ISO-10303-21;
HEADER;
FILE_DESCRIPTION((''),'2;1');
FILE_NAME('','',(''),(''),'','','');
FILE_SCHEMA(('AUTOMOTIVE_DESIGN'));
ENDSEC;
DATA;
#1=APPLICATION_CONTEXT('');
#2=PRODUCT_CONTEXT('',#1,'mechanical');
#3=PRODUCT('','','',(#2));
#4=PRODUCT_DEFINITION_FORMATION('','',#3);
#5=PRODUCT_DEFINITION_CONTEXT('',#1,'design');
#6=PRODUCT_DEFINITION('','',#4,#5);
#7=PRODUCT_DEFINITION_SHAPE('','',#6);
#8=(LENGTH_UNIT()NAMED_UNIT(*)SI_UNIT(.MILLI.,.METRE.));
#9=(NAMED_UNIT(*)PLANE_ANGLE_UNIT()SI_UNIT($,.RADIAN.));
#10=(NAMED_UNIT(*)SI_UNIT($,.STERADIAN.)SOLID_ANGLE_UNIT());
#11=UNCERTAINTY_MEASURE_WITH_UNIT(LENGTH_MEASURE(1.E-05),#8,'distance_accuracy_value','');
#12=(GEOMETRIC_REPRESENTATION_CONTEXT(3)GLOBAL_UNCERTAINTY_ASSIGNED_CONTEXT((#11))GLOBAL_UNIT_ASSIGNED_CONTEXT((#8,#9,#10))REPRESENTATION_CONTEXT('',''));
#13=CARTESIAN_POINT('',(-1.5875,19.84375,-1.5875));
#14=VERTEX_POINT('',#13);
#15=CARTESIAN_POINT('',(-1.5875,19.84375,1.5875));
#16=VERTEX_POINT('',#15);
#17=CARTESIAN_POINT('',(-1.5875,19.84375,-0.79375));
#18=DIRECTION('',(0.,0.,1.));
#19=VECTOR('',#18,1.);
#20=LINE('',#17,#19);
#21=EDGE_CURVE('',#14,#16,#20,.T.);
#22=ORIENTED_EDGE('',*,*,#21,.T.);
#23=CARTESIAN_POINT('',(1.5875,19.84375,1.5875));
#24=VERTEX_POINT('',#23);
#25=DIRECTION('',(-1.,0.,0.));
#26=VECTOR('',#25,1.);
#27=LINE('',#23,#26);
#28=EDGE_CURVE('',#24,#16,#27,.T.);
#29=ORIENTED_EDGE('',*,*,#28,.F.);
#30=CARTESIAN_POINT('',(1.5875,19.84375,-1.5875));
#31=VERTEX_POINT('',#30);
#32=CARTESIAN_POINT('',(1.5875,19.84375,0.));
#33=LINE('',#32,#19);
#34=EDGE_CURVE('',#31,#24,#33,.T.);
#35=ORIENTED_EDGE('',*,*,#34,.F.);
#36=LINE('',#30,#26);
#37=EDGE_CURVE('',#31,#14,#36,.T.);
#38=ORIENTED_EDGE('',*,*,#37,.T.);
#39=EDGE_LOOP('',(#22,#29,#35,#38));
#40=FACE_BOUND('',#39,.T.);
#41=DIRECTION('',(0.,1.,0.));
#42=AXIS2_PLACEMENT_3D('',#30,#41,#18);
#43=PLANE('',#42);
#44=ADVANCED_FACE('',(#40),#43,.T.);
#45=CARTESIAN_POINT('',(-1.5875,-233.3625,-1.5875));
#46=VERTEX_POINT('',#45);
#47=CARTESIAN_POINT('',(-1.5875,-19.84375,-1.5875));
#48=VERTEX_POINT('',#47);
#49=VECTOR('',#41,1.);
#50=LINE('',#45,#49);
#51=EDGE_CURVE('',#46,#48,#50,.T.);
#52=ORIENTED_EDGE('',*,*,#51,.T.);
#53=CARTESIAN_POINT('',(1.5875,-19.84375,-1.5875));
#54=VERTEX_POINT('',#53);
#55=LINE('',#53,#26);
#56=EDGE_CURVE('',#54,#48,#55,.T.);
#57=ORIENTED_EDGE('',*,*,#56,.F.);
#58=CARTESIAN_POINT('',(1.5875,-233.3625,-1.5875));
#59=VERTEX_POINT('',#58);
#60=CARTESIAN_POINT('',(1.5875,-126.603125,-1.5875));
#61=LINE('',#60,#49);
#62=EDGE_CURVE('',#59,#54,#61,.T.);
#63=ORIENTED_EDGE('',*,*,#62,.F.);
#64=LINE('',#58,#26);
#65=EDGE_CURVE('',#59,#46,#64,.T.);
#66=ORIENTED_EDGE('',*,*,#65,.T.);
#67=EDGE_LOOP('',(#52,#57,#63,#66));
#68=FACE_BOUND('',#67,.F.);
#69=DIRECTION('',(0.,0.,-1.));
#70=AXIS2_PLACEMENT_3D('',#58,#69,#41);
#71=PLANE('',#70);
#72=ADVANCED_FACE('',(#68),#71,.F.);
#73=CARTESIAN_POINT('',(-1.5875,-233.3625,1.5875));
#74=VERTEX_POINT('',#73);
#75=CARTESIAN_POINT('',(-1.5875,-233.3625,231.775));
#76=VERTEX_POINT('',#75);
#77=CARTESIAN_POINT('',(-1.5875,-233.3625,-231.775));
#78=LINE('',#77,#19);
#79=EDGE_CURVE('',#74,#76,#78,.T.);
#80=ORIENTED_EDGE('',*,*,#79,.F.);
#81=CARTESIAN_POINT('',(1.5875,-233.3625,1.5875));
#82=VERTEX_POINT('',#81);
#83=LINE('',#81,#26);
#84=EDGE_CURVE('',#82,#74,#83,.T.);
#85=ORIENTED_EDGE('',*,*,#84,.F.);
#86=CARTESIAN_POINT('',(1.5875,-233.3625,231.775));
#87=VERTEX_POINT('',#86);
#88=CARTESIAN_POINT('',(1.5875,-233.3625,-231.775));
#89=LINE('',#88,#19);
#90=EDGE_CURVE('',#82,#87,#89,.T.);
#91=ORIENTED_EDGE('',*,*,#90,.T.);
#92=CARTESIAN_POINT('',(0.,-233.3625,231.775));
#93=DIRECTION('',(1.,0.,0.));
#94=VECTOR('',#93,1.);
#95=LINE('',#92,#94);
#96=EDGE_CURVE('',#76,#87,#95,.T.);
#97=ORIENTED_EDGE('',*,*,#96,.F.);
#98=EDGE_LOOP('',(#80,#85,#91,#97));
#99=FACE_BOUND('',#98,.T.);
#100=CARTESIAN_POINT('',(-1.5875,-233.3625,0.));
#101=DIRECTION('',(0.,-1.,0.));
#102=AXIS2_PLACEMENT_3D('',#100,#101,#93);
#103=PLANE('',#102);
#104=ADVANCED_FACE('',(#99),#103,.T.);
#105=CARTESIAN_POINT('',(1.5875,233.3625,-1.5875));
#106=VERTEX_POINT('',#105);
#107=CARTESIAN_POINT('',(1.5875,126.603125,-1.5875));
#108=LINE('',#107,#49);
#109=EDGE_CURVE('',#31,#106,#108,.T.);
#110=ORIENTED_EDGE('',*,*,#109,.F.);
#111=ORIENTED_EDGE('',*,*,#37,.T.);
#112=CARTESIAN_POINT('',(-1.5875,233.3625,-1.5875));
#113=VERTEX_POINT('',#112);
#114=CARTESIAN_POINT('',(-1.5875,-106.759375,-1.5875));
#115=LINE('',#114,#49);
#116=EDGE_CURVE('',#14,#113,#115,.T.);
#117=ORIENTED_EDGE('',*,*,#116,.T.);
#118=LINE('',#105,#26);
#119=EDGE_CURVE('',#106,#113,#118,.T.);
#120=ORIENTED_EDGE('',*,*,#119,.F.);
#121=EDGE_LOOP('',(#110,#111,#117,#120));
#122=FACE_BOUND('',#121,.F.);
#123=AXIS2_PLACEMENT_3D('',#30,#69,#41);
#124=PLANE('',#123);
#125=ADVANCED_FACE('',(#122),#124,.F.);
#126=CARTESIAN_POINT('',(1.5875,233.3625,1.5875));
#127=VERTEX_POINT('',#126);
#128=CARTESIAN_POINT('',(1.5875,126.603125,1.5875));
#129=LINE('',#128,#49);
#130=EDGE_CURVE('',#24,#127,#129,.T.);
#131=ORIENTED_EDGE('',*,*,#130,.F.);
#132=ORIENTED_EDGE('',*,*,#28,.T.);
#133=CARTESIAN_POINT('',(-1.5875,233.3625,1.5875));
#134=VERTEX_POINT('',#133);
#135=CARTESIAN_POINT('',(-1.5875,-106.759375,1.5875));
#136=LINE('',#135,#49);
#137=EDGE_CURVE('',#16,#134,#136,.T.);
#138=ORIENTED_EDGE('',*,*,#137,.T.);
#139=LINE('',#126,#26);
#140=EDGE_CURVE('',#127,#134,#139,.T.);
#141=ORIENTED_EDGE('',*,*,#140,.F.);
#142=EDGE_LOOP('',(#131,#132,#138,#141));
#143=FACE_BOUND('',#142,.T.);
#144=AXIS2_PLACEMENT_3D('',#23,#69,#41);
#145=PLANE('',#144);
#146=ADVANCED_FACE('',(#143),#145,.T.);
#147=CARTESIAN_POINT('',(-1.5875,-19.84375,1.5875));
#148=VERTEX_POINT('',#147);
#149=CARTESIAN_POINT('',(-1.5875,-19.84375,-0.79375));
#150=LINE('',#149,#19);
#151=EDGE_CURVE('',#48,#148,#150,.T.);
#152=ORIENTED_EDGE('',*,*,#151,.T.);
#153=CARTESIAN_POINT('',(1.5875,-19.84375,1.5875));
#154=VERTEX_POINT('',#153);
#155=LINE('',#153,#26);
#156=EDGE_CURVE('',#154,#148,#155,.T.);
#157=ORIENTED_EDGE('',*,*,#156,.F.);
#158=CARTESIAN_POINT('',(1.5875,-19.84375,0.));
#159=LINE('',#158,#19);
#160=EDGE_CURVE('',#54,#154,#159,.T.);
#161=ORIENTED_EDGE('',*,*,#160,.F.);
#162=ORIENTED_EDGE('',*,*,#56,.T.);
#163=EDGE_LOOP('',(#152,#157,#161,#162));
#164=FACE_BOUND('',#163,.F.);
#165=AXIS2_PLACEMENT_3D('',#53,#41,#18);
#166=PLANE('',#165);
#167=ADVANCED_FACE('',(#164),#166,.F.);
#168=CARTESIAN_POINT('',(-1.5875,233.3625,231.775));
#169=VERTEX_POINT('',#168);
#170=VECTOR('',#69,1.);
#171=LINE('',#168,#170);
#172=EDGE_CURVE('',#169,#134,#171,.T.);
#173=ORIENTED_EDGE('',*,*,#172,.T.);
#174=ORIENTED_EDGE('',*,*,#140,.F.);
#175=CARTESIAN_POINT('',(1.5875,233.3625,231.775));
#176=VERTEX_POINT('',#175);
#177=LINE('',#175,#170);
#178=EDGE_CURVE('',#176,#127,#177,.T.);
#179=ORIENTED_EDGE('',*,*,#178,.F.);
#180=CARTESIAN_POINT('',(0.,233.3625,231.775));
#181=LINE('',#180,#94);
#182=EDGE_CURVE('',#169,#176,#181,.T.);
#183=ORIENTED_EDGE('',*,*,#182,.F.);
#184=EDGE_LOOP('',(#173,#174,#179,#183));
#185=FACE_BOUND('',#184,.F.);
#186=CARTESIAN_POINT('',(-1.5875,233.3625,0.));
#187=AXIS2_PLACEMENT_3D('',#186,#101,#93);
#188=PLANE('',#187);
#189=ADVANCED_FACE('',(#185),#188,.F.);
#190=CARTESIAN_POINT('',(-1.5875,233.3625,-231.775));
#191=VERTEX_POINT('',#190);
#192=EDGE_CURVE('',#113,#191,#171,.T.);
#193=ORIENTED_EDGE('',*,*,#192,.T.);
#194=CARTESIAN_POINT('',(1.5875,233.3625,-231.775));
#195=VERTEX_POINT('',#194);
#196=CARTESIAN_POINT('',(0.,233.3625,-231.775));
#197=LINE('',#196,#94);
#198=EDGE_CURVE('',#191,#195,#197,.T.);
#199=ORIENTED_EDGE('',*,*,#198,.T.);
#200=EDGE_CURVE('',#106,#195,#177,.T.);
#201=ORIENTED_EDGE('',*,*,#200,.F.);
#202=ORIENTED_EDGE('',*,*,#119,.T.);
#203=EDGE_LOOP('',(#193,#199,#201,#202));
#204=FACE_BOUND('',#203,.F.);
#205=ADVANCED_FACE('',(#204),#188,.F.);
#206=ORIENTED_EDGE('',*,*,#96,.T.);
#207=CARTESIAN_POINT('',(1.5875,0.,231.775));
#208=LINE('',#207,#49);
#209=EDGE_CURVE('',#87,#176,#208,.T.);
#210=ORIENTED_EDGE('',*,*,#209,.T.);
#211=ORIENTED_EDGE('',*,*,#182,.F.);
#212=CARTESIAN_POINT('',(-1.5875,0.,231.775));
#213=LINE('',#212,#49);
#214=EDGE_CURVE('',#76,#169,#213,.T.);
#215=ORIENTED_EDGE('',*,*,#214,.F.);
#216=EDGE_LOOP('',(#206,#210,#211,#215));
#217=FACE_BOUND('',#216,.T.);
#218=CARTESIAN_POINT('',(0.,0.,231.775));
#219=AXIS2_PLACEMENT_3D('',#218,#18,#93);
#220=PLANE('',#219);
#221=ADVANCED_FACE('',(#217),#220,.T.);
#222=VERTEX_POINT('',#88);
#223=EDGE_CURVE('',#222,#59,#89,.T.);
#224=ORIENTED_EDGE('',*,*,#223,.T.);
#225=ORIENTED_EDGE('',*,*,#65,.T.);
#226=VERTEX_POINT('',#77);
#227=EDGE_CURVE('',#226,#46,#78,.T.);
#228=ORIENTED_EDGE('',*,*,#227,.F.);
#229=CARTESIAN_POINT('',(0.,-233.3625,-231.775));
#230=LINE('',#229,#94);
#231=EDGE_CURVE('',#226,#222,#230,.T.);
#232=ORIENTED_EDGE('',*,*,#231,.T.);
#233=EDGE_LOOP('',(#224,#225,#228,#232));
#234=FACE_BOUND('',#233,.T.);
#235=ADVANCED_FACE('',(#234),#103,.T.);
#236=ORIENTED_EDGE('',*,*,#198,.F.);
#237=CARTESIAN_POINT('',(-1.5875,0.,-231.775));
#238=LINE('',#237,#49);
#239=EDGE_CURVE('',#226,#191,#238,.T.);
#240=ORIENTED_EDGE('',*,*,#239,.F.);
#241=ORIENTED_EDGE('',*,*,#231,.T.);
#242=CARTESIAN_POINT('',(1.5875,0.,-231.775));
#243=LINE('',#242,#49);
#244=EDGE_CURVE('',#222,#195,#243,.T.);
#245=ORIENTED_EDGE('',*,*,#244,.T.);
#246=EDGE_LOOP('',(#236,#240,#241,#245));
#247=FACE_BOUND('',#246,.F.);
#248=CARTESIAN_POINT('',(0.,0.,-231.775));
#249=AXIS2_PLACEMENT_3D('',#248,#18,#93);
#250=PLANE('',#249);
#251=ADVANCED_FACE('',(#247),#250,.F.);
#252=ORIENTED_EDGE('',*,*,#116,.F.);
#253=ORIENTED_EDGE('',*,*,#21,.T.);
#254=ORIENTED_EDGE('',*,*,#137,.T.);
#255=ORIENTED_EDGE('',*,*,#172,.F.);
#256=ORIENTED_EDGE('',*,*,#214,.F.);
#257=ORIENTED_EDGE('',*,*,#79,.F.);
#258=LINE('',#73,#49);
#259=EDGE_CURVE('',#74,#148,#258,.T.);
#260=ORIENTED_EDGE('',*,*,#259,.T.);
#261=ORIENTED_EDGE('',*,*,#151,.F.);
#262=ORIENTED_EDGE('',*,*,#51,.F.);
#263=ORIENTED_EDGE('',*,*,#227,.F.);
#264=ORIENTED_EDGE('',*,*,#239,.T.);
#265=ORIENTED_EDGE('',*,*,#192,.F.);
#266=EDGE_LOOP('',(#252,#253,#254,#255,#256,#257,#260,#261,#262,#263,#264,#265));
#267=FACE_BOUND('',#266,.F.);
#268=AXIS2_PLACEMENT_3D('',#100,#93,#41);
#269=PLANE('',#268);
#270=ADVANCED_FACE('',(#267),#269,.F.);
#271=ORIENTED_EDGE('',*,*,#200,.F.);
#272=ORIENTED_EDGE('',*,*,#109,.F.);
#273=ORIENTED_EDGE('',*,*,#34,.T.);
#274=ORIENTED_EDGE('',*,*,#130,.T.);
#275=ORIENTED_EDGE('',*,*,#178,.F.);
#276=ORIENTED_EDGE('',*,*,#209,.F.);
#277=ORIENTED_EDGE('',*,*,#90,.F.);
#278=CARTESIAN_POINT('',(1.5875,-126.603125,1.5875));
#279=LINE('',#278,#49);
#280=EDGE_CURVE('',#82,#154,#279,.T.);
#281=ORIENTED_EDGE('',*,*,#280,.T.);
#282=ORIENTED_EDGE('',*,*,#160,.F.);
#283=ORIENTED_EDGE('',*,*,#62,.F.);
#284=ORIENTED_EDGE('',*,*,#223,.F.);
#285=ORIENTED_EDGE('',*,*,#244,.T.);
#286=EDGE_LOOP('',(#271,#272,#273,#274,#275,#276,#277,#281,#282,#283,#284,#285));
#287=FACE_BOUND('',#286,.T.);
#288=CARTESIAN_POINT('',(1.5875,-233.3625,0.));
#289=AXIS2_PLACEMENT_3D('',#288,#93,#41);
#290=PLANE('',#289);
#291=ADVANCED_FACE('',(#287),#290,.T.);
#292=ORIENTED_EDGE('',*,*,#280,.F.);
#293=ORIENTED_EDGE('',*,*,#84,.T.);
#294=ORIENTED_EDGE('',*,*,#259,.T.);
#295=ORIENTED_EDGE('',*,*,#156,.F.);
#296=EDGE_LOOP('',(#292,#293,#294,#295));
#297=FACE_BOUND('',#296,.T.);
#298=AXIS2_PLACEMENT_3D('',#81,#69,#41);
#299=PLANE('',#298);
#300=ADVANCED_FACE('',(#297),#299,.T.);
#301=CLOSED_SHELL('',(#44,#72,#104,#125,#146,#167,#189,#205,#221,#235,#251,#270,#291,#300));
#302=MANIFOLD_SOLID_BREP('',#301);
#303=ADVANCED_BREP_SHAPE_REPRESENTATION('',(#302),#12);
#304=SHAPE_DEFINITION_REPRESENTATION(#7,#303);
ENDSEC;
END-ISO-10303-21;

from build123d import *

# Parameters (mm, degrees)
F0_W     = 3.175
F0_H     = 466.725
F1_DEPTH = 231.775
F2_W     = 213.51875
F2_H     = 3.175
F3_DEPTH = 3.176


with BuildPart() as f1:
    # F0 (on Top) → F1 (new body, symmetric)
    with BuildSketch(Plane.XY):
        Rectangle(F0_W, F0_H)
    extrude(amount=F1_DEPTH, both=True)

    # F2 (on face) → F3 (cut, through all)
    with BuildSketch(Plane.YZ.offset(1.5875)):
        with Locations((-126.603125, 0)):
            Rectangle(F2_W, F2_H)
        with Locations((126.603125, 0)):
            Rectangle(F2_W, F2_H)
    extrude(amount=-F3_DEPTH, mode=Mode.SUBTRACT)


solid = f1.part
